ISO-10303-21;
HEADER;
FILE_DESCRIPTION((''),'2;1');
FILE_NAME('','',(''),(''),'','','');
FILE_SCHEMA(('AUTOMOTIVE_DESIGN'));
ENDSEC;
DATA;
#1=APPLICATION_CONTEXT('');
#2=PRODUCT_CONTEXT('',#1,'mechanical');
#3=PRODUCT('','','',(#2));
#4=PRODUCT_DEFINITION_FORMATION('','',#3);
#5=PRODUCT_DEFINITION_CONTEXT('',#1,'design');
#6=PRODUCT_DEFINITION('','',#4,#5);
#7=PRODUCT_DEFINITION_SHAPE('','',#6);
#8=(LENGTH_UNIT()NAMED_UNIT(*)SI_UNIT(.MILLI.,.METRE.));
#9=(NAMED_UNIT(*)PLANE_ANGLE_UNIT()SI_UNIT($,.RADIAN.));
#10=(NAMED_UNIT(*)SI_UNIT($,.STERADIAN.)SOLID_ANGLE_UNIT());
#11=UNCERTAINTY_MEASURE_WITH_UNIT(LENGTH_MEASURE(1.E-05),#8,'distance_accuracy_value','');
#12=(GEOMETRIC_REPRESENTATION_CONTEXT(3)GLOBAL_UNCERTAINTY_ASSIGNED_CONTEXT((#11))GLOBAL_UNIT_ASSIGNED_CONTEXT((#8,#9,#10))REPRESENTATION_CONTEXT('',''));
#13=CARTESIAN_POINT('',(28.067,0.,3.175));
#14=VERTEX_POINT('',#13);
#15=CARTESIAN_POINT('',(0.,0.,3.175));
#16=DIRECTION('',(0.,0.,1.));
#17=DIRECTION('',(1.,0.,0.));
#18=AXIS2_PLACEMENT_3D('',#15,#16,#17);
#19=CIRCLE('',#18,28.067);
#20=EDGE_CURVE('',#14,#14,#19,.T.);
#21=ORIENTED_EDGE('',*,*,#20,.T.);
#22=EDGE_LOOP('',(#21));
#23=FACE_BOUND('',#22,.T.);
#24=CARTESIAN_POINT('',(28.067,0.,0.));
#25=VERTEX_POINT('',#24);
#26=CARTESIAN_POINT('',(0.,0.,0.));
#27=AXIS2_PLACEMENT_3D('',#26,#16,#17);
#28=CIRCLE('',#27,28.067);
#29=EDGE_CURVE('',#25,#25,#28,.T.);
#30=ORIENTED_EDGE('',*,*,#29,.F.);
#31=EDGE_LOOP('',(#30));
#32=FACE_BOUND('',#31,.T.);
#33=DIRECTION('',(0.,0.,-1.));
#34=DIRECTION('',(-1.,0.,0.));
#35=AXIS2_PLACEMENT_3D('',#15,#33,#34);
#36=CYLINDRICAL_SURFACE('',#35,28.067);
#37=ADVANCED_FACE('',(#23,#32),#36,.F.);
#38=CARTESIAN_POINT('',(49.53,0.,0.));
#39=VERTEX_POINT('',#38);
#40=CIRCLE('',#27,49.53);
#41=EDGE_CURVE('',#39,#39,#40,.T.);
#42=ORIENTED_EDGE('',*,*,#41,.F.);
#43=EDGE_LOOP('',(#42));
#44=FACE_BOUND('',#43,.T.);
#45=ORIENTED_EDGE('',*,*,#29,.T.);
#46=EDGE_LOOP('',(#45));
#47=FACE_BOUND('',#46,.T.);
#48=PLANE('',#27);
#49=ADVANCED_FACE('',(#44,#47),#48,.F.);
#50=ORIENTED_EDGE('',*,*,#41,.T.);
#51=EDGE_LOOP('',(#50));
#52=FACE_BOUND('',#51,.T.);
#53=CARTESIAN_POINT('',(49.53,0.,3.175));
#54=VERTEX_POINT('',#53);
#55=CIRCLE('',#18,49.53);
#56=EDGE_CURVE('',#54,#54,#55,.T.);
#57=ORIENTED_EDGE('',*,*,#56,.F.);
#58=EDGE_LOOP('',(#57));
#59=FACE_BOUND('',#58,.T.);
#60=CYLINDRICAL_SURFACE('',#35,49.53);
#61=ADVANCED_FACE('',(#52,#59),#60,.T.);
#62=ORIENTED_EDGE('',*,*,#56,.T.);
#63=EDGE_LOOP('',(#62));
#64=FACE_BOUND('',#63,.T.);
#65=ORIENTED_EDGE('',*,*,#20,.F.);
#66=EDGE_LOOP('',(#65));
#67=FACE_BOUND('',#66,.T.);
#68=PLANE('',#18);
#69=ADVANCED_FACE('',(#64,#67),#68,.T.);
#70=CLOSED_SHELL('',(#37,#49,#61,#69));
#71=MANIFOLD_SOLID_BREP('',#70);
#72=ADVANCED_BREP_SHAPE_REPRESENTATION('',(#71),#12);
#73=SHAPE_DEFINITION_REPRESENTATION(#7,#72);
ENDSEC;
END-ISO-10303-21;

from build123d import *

# Parameters (mm, degrees)
SKETCH1_R           = 49.53
SKETCH1_R_2         = 28.067
BOSS_EXTRUDE1_DEPTH = 3.175


with BuildPart() as part:
    # Sketch1 → Boss-Extrude1 (new body)
    with BuildSketch(Plane.XY):
        Circle(SKETCH1_R)
        Circle(SKETCH1_R_2, mode=Mode.SUBTRACT)
    extrude(amount=BOSS_EXTRUDE1_DEPTH)


solid = part.part
